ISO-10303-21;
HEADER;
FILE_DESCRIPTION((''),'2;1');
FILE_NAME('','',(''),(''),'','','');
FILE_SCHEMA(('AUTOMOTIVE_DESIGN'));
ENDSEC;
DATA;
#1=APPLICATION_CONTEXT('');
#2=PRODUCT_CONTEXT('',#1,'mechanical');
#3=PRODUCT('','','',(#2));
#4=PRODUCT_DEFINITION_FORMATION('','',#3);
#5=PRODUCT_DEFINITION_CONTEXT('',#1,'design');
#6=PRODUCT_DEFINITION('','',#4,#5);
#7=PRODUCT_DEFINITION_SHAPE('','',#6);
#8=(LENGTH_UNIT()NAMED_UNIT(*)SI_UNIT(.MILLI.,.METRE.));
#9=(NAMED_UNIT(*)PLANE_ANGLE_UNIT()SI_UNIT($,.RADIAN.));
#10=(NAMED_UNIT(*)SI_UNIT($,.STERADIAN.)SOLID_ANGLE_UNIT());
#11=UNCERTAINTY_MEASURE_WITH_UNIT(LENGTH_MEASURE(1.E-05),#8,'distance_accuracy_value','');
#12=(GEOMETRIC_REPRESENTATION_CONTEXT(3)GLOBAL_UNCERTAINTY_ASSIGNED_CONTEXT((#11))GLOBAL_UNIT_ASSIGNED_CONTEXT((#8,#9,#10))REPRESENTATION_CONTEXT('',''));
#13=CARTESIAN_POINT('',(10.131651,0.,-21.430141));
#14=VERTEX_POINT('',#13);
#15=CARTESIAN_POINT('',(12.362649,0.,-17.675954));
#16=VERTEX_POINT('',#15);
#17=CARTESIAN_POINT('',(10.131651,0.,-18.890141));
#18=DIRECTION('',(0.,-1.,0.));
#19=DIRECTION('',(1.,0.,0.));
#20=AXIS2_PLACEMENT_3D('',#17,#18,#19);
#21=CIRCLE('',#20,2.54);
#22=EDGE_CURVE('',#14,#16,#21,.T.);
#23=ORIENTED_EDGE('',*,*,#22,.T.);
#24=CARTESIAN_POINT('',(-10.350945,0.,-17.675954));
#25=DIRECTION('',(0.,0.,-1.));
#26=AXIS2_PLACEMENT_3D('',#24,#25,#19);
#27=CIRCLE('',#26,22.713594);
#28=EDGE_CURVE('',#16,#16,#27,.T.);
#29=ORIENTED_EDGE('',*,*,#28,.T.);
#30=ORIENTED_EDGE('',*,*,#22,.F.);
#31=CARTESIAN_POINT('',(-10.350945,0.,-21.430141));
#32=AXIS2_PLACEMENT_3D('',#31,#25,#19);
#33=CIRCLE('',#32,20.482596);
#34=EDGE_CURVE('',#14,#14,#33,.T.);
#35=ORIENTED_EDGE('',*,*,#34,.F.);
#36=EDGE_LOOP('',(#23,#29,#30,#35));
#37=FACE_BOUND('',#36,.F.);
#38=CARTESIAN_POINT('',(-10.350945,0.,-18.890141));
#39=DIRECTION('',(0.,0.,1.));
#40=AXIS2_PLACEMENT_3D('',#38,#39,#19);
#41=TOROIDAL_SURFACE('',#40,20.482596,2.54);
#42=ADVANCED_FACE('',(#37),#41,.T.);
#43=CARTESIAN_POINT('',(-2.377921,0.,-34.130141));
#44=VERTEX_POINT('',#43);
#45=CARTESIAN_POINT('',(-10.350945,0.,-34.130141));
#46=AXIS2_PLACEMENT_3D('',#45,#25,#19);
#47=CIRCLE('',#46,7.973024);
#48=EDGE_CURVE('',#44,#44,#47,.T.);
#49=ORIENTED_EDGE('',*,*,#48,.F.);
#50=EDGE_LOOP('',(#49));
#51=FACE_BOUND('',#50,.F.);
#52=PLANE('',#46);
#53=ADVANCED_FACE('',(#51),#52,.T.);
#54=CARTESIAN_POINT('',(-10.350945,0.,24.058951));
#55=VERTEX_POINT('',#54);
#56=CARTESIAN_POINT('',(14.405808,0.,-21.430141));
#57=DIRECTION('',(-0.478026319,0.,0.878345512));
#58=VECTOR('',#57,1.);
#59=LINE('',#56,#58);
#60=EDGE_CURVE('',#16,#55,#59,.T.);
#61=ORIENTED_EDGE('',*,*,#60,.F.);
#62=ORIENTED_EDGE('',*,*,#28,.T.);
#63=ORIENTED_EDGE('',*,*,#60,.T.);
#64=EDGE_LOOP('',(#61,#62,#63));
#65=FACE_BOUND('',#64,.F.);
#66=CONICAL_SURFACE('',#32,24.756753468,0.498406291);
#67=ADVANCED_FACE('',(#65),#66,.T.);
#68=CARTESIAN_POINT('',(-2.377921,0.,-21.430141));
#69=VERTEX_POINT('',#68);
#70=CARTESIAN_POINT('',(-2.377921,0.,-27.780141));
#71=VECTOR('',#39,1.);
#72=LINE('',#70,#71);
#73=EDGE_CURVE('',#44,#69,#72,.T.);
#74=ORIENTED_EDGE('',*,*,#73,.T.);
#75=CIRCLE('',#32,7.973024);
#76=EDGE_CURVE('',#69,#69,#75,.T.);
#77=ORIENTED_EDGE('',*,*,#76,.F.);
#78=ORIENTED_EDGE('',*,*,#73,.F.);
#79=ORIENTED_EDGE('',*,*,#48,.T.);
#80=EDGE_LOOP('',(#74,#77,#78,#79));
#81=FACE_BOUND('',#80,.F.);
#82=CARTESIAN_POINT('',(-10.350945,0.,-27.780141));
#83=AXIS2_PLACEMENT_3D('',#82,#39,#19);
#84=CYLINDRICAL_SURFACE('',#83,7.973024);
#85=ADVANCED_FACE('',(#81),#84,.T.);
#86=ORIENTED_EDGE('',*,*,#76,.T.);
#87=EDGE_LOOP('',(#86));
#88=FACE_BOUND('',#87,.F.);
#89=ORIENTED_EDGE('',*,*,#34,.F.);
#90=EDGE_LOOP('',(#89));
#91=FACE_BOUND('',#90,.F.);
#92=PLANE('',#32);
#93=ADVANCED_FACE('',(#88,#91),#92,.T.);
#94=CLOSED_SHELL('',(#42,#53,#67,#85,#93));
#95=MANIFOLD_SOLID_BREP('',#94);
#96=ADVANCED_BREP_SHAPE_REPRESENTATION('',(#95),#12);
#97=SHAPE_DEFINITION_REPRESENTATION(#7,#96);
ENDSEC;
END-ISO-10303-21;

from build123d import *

# Parameters (mm, degrees)
F0_W = 7.9730240395
F0_H = 12.7
F2_R = 2.54


with BuildPart() as f1:
    # F0 (on Front) → F1 (revolve)
    with BuildSketch(Plane.XZ):
        with Locations((-6.3644330367, -27.780141139)):
            Rectangle(F0_W, F0_H)
        Polygon((-10.3509450564, 24.0589510649), (-10.3509450564, -21.430141139), (-2.3779210169, -21.430141139), (14.4058084115, -21.430141139), align=None)
    revolve(axis=Axis((-10.3509450564, 0, -11.4546911791), (0, 0, -1)))

    # F2
    f2_edges = [f1.edges().sort_by_distance(p)[0] for p in [
        (-35.107699, 0, -21.430141),
    ]]
    fillet(f2_edges, radius=F2_R)


solid = f1.part
